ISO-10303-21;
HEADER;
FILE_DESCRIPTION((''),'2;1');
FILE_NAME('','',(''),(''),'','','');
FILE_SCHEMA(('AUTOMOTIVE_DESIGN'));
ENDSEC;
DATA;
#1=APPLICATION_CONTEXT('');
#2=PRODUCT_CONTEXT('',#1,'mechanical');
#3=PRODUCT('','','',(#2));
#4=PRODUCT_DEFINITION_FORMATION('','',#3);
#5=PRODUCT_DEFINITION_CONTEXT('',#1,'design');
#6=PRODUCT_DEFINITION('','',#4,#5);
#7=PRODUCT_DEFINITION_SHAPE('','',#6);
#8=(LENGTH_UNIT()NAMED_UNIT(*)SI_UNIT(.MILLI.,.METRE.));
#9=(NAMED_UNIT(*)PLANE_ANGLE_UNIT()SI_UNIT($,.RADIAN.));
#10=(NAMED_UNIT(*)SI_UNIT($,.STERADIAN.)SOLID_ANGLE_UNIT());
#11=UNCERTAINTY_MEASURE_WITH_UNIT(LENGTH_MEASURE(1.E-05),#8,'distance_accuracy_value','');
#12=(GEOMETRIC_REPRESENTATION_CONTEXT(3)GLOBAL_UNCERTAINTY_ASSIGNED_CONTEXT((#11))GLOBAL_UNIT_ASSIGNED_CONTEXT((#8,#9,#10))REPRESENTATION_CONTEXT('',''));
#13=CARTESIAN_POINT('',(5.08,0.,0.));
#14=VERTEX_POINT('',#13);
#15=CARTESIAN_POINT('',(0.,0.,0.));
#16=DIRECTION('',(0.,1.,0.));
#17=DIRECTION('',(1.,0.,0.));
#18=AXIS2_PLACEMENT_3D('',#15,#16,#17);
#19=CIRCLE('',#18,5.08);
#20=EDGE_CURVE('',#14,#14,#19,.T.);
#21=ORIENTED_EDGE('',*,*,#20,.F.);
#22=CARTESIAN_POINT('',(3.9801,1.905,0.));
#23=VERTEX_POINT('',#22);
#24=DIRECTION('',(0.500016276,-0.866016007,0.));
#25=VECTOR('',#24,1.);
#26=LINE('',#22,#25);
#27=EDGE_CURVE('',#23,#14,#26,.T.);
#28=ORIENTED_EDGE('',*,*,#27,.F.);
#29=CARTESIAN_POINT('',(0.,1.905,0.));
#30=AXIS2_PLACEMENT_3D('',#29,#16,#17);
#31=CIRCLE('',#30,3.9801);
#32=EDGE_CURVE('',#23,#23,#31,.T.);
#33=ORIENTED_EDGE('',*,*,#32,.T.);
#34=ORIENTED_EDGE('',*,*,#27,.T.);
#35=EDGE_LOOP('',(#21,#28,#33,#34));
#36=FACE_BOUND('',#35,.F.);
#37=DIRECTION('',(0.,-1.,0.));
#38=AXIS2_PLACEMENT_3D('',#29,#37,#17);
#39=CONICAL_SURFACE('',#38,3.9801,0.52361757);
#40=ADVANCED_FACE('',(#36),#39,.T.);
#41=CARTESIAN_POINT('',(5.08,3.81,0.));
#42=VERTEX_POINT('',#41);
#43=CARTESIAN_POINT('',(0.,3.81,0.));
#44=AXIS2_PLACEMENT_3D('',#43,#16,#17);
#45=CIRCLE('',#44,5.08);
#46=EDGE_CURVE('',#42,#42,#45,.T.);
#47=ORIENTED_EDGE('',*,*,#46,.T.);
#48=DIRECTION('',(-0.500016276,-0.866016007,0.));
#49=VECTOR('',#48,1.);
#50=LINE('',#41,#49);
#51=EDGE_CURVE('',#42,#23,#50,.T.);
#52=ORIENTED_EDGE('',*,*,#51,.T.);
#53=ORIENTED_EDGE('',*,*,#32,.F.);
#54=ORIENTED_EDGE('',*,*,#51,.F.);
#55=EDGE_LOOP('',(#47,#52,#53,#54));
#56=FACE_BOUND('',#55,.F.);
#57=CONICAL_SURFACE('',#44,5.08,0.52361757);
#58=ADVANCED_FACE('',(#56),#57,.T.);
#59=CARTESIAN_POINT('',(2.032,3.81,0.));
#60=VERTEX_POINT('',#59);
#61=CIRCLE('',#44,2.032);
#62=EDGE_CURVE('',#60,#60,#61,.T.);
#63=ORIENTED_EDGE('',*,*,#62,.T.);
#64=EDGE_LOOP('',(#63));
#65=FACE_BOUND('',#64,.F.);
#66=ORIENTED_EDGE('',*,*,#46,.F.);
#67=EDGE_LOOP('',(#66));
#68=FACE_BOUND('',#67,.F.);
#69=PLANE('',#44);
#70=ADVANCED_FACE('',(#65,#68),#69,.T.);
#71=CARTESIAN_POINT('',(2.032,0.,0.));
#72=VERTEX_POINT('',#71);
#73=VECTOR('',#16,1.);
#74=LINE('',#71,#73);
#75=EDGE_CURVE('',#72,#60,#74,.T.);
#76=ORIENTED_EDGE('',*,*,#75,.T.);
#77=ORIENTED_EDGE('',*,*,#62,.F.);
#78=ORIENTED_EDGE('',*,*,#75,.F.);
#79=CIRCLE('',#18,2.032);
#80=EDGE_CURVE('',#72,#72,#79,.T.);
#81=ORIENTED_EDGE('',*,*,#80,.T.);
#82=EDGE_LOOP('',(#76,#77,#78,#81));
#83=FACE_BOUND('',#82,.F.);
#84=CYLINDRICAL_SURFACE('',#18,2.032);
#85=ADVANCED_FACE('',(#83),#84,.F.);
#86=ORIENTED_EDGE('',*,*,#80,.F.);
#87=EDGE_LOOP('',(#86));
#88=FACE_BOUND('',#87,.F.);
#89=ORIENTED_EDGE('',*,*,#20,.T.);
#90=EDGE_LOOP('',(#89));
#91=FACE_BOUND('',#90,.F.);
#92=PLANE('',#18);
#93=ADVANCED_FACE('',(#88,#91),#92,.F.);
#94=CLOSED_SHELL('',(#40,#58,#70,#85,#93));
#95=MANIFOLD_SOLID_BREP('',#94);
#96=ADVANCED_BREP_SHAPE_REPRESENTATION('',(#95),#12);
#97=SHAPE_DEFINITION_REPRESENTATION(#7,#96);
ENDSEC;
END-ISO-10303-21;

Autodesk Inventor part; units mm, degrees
ref_plane "YZ Plane" through (0, 0, 0) normal (1, 0, 0) x (0, 1, 0)
ref_plane "XZ Plane" through (0, 0, 0) normal (0, 1, 0) x (-1, 0, 0)
ref_plane "XY Plane" through (0, 0, 0) normal (0, 0, 1) x (1, 0, 0)
sketch "Sketch1" plane through (0, 0, 0) normal (0, 0, 1) x (1, 0, 0)
  line L0 (0, 0) -> (0, 3.81)
  line L1 (0, 3.81) -> (5.08, 3.81)
  line L2 (5.08, 3.81) -> (3.9801, 1.905)
  line L3 (3.9801, 1.905) -> (5.08, 0)
  line L4 (5.08, 0) -> (0, 0)
  line L5 (2.032, 0) -> (2.032, 3.81)
  point P0 (0, 1.905)
  dimension "d0" = 5.08
  dimension "d1" = 60
  dimension "d2" = 3.81
  dimension "d3" = 2.032
revolve "Revolution1" add sketch "Sketch1" angle 360 about axis through (0, 0, 0) along (0, 1, 0) contours L5 L1 L2 L3 L4
properties part number "Spring Holder"
